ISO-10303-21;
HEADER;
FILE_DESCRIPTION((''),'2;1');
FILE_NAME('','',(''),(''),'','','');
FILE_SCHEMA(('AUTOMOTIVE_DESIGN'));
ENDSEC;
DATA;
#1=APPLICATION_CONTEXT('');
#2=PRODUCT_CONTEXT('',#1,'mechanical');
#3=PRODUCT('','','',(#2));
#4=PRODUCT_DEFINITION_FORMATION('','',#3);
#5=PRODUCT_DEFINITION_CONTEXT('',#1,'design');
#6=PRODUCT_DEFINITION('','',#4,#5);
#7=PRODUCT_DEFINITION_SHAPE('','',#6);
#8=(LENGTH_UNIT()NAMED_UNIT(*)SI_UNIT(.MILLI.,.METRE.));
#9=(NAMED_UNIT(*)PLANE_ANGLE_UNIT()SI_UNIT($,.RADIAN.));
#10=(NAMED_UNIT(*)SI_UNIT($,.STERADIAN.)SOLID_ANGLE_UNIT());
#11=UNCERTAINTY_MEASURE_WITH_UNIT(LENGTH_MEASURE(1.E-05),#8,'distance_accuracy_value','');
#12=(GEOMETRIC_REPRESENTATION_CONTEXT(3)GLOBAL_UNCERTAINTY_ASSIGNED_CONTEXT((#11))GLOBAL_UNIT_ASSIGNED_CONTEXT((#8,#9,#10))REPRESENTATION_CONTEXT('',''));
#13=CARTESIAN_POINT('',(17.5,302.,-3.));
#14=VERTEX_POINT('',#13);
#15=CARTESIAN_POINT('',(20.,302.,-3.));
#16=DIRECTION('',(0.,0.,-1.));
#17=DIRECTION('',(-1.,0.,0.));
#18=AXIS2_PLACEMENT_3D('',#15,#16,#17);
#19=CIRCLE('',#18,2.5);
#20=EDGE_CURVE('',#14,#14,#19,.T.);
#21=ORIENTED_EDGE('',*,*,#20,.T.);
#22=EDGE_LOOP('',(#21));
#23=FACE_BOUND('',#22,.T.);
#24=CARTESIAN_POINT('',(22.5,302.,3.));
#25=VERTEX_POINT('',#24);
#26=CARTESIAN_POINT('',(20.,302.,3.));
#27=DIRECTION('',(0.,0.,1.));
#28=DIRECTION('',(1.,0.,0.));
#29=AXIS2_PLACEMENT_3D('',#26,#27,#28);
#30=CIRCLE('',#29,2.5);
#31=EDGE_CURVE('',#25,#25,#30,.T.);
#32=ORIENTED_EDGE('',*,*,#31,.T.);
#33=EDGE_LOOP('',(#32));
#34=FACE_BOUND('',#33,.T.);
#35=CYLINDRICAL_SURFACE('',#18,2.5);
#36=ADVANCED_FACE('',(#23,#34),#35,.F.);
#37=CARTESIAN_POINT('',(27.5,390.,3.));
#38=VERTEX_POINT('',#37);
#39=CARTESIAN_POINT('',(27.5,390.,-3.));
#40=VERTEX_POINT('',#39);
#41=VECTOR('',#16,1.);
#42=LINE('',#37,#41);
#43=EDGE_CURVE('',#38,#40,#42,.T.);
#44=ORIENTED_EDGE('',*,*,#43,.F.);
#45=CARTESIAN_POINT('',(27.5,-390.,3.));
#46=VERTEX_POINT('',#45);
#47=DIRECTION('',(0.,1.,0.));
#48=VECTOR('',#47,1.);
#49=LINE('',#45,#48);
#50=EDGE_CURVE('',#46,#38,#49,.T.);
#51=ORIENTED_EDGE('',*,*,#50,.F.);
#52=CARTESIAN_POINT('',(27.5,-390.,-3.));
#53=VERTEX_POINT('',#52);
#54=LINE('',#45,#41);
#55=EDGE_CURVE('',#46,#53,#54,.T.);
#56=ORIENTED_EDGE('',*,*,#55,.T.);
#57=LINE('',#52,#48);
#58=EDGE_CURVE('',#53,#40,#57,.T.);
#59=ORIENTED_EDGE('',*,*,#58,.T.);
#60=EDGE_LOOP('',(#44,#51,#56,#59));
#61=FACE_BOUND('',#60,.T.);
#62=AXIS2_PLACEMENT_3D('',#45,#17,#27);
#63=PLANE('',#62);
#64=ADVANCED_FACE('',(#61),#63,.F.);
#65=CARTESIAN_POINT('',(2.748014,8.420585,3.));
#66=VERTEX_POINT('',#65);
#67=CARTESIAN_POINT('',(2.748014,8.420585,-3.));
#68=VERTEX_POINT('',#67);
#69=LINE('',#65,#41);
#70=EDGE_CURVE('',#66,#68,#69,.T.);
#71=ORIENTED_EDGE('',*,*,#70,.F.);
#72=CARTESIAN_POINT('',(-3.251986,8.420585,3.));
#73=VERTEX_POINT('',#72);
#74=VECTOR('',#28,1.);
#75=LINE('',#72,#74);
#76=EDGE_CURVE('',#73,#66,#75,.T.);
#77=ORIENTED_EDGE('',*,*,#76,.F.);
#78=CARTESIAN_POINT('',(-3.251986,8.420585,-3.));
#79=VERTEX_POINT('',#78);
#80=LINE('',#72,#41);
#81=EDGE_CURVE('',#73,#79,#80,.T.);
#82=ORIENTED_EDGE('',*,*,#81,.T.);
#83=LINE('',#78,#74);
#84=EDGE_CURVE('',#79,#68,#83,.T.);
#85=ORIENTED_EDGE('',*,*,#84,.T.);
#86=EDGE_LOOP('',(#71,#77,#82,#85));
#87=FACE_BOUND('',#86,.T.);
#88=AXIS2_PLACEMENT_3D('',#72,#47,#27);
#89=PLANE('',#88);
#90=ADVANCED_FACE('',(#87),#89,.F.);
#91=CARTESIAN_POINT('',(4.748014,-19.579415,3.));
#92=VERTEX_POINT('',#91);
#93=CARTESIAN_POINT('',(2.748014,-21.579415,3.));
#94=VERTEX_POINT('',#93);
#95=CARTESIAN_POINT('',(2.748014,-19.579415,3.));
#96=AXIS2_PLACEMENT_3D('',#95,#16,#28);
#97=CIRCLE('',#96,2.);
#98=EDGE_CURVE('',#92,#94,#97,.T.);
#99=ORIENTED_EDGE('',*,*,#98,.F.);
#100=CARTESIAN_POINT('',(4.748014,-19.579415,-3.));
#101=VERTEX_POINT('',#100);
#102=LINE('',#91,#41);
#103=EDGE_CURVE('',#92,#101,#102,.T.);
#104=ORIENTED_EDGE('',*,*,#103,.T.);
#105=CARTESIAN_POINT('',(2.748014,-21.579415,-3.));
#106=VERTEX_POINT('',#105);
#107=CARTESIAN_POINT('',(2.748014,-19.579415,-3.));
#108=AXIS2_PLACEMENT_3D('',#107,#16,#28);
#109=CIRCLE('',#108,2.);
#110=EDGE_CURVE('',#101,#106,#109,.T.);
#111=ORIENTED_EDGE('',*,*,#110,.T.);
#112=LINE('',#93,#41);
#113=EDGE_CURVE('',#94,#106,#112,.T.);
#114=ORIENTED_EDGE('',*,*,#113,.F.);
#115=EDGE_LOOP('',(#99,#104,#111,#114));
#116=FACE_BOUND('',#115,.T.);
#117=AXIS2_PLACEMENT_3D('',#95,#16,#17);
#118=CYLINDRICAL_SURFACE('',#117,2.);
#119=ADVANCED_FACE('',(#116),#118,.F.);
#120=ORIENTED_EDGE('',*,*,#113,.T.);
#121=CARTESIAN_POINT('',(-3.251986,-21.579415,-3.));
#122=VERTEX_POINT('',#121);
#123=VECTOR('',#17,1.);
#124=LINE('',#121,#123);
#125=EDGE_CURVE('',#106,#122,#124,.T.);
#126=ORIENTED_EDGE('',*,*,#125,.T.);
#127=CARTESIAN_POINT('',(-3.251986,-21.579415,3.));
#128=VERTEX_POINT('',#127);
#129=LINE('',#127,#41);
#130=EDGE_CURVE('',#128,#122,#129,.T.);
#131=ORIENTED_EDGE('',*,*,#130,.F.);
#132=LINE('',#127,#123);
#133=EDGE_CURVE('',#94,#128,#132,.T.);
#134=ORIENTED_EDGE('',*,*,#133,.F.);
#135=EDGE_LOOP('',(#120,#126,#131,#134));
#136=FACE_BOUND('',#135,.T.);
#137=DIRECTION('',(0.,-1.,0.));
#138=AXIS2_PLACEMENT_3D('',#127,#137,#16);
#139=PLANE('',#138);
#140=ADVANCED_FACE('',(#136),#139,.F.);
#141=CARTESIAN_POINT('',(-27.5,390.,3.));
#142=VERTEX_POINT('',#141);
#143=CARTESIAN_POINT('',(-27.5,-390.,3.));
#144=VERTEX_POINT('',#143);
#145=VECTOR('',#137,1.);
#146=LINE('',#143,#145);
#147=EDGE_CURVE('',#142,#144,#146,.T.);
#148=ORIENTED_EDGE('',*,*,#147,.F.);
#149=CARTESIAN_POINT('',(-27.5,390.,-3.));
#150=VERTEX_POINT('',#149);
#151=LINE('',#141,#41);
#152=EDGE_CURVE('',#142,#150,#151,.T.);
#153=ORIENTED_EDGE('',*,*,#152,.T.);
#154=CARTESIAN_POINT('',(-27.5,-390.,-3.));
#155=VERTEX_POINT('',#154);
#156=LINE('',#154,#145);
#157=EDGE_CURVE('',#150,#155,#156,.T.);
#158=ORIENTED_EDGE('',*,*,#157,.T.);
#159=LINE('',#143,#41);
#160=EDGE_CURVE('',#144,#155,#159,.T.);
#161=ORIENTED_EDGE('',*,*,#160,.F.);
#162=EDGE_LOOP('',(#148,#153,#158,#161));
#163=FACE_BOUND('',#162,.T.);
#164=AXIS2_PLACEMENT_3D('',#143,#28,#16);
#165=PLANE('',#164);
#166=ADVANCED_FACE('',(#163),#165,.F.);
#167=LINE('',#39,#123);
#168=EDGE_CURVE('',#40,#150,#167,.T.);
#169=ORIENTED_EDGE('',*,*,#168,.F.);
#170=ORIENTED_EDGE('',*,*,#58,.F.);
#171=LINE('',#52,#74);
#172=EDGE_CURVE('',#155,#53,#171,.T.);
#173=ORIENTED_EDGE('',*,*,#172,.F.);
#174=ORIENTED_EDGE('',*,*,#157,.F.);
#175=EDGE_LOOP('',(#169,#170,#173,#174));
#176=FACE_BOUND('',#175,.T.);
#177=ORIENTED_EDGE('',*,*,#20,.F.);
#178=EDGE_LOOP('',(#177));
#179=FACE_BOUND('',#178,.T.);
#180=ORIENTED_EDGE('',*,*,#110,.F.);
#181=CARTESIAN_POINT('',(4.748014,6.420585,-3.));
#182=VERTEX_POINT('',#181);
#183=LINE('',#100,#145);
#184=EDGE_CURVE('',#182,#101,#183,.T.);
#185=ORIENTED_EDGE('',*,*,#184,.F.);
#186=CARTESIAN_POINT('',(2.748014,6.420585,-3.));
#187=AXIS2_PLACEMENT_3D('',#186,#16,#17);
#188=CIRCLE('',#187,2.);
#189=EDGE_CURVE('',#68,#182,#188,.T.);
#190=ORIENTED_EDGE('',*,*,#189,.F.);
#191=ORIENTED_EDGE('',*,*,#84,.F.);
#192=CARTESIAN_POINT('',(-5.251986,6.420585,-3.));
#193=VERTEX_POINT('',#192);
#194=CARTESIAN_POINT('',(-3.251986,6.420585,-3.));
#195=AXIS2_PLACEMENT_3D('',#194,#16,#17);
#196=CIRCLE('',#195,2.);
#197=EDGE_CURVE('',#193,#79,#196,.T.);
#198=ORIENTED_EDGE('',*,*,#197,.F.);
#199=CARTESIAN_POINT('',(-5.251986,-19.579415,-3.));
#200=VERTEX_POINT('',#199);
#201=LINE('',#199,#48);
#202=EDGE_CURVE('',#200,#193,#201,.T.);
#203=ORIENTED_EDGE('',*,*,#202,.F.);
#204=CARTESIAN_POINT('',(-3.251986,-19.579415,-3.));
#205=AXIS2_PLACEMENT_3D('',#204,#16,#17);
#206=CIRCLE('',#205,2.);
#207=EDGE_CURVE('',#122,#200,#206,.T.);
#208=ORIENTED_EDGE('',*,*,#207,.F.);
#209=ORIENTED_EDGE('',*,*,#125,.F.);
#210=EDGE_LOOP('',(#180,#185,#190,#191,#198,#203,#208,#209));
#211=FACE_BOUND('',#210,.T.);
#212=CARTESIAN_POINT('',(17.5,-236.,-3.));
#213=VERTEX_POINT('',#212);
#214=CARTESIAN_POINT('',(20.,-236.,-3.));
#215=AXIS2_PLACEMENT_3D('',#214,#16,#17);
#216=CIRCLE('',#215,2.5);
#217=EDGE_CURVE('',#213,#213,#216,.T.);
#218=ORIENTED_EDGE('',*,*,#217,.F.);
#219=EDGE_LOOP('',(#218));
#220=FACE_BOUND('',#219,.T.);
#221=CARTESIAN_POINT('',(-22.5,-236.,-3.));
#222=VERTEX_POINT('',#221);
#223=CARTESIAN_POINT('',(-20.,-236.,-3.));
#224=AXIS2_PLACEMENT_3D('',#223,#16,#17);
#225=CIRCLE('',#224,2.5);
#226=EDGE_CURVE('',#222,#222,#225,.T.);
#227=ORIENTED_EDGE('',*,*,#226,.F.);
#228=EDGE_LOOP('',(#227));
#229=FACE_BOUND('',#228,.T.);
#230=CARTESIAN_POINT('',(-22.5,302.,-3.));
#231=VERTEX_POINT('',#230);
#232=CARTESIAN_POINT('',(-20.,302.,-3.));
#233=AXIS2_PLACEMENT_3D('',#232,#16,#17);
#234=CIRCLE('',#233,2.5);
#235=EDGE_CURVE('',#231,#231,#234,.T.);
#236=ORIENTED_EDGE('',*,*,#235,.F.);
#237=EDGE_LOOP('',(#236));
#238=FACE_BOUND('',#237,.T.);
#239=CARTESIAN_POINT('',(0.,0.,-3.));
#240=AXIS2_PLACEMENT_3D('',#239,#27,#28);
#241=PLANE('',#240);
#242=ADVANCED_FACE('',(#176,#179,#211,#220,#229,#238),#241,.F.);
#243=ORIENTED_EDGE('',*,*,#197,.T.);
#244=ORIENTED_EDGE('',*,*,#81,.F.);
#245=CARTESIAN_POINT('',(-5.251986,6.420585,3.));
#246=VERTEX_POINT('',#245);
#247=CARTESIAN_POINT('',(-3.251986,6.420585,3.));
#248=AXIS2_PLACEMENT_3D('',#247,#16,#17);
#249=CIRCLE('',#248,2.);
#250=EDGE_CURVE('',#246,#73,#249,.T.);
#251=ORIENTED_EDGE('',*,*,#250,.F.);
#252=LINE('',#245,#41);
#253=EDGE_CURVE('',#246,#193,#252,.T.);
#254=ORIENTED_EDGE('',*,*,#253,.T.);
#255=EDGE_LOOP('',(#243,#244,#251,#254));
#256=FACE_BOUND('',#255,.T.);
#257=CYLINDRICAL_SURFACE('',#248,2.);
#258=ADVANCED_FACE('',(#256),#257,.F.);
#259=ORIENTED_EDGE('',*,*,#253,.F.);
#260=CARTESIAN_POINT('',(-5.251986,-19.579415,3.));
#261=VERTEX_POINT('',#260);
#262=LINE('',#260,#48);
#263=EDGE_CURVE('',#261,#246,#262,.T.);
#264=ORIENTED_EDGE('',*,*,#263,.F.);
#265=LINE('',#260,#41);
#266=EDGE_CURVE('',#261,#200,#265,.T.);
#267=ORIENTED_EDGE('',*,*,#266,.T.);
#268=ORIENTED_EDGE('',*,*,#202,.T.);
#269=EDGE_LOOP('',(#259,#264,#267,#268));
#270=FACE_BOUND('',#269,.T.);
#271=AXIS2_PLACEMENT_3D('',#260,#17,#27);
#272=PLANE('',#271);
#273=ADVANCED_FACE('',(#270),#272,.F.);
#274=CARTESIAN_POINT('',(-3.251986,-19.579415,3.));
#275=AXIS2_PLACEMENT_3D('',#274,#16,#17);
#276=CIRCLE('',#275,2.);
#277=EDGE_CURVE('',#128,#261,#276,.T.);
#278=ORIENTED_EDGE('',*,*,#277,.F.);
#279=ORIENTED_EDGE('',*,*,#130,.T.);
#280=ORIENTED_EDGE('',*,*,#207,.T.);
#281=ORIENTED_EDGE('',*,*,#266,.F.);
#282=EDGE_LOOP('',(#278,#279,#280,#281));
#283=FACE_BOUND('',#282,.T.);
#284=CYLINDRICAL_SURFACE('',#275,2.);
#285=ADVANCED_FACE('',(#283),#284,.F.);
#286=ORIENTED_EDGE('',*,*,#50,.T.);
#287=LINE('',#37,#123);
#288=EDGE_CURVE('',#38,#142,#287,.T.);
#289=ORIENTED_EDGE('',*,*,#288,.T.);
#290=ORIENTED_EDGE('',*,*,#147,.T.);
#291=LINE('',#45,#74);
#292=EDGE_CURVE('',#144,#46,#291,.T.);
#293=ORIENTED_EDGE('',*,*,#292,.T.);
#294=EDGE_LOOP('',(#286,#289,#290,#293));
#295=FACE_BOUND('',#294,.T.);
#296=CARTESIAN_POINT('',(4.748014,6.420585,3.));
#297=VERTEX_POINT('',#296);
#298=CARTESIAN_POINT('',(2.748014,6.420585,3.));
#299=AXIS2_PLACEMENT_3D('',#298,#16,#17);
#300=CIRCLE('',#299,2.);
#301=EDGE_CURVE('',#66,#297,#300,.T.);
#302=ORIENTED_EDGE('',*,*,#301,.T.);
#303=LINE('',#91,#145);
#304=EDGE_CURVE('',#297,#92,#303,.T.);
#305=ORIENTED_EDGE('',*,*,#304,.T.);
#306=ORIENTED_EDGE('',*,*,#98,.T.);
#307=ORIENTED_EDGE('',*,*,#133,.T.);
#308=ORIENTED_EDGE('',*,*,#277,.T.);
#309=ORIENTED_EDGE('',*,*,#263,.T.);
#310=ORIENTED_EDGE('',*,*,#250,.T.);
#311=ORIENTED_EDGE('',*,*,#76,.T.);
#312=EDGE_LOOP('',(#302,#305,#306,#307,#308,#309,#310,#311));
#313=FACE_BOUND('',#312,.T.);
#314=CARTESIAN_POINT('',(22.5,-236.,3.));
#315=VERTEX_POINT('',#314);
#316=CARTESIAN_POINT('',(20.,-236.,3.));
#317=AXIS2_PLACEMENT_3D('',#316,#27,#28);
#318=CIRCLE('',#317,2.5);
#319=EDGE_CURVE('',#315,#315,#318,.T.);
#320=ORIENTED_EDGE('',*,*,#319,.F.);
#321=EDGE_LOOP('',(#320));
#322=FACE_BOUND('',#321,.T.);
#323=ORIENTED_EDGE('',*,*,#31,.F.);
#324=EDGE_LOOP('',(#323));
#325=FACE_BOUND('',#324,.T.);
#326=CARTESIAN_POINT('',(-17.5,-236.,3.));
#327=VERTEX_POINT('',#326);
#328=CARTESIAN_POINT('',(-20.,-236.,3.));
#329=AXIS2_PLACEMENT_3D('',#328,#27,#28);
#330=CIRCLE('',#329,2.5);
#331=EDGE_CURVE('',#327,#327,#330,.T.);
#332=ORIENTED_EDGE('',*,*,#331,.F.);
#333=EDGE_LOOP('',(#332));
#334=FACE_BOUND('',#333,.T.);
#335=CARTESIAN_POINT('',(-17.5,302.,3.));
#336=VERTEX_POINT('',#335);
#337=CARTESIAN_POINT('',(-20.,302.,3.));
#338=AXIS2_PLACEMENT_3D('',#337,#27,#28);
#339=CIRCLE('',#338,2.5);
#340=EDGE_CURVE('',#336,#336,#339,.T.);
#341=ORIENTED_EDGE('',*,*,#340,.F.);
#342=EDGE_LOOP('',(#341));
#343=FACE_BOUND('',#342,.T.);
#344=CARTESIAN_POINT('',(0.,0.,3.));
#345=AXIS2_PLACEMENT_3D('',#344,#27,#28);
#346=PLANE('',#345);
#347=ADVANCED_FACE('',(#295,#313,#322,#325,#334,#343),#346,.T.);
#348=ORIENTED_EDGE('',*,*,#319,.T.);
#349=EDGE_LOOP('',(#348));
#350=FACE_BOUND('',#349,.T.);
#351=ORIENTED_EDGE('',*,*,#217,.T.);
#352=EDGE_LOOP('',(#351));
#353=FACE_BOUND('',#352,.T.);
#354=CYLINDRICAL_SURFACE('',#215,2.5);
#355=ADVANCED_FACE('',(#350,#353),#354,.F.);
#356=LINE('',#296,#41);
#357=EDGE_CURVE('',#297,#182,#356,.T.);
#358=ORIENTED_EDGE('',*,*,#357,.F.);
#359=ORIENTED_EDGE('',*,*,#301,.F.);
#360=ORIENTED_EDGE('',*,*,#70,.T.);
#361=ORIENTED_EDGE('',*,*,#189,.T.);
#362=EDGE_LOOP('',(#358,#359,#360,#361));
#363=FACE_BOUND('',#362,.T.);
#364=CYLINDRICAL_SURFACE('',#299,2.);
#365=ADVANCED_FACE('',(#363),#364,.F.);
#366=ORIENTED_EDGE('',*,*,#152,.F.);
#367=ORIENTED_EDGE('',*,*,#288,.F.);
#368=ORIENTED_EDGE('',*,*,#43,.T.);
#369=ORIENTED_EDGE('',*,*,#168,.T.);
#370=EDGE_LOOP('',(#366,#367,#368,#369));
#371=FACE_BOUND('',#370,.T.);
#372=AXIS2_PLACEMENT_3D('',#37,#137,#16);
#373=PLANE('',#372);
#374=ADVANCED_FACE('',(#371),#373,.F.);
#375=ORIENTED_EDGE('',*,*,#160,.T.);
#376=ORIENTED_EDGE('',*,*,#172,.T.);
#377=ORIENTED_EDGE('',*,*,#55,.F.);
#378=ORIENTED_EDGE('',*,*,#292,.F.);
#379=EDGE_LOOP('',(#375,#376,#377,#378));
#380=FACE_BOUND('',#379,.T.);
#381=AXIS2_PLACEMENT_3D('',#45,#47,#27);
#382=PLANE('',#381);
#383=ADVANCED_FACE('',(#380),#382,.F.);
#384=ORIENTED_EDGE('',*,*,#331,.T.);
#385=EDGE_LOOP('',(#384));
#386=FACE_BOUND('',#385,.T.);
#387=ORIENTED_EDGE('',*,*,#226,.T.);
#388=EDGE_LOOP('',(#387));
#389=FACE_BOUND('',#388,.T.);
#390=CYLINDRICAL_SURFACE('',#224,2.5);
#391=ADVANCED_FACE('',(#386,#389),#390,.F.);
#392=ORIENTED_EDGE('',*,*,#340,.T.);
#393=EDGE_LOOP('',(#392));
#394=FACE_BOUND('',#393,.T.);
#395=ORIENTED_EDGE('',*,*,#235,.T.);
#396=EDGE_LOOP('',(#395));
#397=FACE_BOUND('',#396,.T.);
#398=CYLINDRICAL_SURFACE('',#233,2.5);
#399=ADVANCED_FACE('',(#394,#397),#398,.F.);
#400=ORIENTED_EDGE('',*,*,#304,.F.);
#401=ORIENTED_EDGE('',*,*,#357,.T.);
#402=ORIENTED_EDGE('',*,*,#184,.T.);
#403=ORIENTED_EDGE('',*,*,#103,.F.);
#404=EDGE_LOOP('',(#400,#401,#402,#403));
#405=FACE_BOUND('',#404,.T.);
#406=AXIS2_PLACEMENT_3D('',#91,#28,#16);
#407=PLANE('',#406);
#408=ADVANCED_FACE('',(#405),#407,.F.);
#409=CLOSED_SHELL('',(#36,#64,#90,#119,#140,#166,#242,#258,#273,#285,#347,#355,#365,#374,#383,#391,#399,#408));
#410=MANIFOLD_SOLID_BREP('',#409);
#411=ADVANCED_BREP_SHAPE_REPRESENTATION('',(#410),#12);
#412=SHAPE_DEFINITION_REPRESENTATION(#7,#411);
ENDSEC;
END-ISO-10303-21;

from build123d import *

# Parameters (mm, degrees)
SKETCH_1_W             = 55
SKETCH_1_H             = 780
EXTRUDE_1_DEPTH        = 3
CUT_EXTRUDE_1_DEPTH    = 7
HOLE_WIZARD_M6_1_D     = 5
HOLE_WIZARD_M6_1_DEPTH = 17
HOLE_WIZARD_M6_1_TIP   = 1.502151548


with BuildPart() as part:
    # 草图1 → 凸台-拉伸1 (new body, symmetric)
    with BuildSketch(Plane.XY):
        Rectangle(SKETCH_1_W, SKETCH_1_H)
    extrude(amount=EXTRUDE_1_DEPTH, both=True)

    # 草图4 → 切除-拉伸1 (cut, through all)
    with BuildSketch(Plane(origin=(0, 0, -3), x_dir=(-1, 0, 0), z_dir=(0, 0, -1))):
        with BuildLine():
            Line((3.251986045, -21.579414933), (-2.748013955, -21.579414933))
            ThreePointArc((-2.748013955, -21.579414933), (-4.162227517, -20.993628496), (-4.748013955, -19.579414933))
            Line((-4.748013955, -19.579414933), (-4.748013955, 6.420585067))
            ThreePointArc((-4.748013955, 6.420585067), (-4.162227517, 7.834798629), (-2.748013955, 8.420585067))
            Line((-2.748013955, 8.420585067), (3.251986045, 8.420585067))
            ThreePointArc((3.251986045, 8.420585067), (4.666199608, 7.834798629), (5.251986045, 6.420585067))
            Line((5.251986045, 6.420585067), (5.251986045, -19.579414933))
            ThreePointArc((5.251986045, -19.579414933), (4.666199608, -20.993628496), (3.251986045, -21.579414933))
        make_face()
    extrude(amount=-CUT_EXTRUDE_1_DEPTH, mode=Mode.SUBTRACT)

    # M6 螺纹孔1
    with Locations(Plane(origin=(0, 0, -3), x_dir=(-1, 0, 0), z_dir=(0, 0, -1))):
        with Locations((20, 302), (-20, 302), (20, -236), (-20, -236)):
            Hole(HOLE_WIZARD_M6_1_D / 2, depth=HOLE_WIZARD_M6_1_DEPTH)
            with Locations((0, 0, -(HOLE_WIZARD_M6_1_DEPTH + HOLE_WIZARD_M6_1_TIP / 2))):  # 118° drill point
                Cone(0, HOLE_WIZARD_M6_1_D / 2, HOLE_WIZARD_M6_1_TIP, mode=Mode.SUBTRACT)


solid = part.part
